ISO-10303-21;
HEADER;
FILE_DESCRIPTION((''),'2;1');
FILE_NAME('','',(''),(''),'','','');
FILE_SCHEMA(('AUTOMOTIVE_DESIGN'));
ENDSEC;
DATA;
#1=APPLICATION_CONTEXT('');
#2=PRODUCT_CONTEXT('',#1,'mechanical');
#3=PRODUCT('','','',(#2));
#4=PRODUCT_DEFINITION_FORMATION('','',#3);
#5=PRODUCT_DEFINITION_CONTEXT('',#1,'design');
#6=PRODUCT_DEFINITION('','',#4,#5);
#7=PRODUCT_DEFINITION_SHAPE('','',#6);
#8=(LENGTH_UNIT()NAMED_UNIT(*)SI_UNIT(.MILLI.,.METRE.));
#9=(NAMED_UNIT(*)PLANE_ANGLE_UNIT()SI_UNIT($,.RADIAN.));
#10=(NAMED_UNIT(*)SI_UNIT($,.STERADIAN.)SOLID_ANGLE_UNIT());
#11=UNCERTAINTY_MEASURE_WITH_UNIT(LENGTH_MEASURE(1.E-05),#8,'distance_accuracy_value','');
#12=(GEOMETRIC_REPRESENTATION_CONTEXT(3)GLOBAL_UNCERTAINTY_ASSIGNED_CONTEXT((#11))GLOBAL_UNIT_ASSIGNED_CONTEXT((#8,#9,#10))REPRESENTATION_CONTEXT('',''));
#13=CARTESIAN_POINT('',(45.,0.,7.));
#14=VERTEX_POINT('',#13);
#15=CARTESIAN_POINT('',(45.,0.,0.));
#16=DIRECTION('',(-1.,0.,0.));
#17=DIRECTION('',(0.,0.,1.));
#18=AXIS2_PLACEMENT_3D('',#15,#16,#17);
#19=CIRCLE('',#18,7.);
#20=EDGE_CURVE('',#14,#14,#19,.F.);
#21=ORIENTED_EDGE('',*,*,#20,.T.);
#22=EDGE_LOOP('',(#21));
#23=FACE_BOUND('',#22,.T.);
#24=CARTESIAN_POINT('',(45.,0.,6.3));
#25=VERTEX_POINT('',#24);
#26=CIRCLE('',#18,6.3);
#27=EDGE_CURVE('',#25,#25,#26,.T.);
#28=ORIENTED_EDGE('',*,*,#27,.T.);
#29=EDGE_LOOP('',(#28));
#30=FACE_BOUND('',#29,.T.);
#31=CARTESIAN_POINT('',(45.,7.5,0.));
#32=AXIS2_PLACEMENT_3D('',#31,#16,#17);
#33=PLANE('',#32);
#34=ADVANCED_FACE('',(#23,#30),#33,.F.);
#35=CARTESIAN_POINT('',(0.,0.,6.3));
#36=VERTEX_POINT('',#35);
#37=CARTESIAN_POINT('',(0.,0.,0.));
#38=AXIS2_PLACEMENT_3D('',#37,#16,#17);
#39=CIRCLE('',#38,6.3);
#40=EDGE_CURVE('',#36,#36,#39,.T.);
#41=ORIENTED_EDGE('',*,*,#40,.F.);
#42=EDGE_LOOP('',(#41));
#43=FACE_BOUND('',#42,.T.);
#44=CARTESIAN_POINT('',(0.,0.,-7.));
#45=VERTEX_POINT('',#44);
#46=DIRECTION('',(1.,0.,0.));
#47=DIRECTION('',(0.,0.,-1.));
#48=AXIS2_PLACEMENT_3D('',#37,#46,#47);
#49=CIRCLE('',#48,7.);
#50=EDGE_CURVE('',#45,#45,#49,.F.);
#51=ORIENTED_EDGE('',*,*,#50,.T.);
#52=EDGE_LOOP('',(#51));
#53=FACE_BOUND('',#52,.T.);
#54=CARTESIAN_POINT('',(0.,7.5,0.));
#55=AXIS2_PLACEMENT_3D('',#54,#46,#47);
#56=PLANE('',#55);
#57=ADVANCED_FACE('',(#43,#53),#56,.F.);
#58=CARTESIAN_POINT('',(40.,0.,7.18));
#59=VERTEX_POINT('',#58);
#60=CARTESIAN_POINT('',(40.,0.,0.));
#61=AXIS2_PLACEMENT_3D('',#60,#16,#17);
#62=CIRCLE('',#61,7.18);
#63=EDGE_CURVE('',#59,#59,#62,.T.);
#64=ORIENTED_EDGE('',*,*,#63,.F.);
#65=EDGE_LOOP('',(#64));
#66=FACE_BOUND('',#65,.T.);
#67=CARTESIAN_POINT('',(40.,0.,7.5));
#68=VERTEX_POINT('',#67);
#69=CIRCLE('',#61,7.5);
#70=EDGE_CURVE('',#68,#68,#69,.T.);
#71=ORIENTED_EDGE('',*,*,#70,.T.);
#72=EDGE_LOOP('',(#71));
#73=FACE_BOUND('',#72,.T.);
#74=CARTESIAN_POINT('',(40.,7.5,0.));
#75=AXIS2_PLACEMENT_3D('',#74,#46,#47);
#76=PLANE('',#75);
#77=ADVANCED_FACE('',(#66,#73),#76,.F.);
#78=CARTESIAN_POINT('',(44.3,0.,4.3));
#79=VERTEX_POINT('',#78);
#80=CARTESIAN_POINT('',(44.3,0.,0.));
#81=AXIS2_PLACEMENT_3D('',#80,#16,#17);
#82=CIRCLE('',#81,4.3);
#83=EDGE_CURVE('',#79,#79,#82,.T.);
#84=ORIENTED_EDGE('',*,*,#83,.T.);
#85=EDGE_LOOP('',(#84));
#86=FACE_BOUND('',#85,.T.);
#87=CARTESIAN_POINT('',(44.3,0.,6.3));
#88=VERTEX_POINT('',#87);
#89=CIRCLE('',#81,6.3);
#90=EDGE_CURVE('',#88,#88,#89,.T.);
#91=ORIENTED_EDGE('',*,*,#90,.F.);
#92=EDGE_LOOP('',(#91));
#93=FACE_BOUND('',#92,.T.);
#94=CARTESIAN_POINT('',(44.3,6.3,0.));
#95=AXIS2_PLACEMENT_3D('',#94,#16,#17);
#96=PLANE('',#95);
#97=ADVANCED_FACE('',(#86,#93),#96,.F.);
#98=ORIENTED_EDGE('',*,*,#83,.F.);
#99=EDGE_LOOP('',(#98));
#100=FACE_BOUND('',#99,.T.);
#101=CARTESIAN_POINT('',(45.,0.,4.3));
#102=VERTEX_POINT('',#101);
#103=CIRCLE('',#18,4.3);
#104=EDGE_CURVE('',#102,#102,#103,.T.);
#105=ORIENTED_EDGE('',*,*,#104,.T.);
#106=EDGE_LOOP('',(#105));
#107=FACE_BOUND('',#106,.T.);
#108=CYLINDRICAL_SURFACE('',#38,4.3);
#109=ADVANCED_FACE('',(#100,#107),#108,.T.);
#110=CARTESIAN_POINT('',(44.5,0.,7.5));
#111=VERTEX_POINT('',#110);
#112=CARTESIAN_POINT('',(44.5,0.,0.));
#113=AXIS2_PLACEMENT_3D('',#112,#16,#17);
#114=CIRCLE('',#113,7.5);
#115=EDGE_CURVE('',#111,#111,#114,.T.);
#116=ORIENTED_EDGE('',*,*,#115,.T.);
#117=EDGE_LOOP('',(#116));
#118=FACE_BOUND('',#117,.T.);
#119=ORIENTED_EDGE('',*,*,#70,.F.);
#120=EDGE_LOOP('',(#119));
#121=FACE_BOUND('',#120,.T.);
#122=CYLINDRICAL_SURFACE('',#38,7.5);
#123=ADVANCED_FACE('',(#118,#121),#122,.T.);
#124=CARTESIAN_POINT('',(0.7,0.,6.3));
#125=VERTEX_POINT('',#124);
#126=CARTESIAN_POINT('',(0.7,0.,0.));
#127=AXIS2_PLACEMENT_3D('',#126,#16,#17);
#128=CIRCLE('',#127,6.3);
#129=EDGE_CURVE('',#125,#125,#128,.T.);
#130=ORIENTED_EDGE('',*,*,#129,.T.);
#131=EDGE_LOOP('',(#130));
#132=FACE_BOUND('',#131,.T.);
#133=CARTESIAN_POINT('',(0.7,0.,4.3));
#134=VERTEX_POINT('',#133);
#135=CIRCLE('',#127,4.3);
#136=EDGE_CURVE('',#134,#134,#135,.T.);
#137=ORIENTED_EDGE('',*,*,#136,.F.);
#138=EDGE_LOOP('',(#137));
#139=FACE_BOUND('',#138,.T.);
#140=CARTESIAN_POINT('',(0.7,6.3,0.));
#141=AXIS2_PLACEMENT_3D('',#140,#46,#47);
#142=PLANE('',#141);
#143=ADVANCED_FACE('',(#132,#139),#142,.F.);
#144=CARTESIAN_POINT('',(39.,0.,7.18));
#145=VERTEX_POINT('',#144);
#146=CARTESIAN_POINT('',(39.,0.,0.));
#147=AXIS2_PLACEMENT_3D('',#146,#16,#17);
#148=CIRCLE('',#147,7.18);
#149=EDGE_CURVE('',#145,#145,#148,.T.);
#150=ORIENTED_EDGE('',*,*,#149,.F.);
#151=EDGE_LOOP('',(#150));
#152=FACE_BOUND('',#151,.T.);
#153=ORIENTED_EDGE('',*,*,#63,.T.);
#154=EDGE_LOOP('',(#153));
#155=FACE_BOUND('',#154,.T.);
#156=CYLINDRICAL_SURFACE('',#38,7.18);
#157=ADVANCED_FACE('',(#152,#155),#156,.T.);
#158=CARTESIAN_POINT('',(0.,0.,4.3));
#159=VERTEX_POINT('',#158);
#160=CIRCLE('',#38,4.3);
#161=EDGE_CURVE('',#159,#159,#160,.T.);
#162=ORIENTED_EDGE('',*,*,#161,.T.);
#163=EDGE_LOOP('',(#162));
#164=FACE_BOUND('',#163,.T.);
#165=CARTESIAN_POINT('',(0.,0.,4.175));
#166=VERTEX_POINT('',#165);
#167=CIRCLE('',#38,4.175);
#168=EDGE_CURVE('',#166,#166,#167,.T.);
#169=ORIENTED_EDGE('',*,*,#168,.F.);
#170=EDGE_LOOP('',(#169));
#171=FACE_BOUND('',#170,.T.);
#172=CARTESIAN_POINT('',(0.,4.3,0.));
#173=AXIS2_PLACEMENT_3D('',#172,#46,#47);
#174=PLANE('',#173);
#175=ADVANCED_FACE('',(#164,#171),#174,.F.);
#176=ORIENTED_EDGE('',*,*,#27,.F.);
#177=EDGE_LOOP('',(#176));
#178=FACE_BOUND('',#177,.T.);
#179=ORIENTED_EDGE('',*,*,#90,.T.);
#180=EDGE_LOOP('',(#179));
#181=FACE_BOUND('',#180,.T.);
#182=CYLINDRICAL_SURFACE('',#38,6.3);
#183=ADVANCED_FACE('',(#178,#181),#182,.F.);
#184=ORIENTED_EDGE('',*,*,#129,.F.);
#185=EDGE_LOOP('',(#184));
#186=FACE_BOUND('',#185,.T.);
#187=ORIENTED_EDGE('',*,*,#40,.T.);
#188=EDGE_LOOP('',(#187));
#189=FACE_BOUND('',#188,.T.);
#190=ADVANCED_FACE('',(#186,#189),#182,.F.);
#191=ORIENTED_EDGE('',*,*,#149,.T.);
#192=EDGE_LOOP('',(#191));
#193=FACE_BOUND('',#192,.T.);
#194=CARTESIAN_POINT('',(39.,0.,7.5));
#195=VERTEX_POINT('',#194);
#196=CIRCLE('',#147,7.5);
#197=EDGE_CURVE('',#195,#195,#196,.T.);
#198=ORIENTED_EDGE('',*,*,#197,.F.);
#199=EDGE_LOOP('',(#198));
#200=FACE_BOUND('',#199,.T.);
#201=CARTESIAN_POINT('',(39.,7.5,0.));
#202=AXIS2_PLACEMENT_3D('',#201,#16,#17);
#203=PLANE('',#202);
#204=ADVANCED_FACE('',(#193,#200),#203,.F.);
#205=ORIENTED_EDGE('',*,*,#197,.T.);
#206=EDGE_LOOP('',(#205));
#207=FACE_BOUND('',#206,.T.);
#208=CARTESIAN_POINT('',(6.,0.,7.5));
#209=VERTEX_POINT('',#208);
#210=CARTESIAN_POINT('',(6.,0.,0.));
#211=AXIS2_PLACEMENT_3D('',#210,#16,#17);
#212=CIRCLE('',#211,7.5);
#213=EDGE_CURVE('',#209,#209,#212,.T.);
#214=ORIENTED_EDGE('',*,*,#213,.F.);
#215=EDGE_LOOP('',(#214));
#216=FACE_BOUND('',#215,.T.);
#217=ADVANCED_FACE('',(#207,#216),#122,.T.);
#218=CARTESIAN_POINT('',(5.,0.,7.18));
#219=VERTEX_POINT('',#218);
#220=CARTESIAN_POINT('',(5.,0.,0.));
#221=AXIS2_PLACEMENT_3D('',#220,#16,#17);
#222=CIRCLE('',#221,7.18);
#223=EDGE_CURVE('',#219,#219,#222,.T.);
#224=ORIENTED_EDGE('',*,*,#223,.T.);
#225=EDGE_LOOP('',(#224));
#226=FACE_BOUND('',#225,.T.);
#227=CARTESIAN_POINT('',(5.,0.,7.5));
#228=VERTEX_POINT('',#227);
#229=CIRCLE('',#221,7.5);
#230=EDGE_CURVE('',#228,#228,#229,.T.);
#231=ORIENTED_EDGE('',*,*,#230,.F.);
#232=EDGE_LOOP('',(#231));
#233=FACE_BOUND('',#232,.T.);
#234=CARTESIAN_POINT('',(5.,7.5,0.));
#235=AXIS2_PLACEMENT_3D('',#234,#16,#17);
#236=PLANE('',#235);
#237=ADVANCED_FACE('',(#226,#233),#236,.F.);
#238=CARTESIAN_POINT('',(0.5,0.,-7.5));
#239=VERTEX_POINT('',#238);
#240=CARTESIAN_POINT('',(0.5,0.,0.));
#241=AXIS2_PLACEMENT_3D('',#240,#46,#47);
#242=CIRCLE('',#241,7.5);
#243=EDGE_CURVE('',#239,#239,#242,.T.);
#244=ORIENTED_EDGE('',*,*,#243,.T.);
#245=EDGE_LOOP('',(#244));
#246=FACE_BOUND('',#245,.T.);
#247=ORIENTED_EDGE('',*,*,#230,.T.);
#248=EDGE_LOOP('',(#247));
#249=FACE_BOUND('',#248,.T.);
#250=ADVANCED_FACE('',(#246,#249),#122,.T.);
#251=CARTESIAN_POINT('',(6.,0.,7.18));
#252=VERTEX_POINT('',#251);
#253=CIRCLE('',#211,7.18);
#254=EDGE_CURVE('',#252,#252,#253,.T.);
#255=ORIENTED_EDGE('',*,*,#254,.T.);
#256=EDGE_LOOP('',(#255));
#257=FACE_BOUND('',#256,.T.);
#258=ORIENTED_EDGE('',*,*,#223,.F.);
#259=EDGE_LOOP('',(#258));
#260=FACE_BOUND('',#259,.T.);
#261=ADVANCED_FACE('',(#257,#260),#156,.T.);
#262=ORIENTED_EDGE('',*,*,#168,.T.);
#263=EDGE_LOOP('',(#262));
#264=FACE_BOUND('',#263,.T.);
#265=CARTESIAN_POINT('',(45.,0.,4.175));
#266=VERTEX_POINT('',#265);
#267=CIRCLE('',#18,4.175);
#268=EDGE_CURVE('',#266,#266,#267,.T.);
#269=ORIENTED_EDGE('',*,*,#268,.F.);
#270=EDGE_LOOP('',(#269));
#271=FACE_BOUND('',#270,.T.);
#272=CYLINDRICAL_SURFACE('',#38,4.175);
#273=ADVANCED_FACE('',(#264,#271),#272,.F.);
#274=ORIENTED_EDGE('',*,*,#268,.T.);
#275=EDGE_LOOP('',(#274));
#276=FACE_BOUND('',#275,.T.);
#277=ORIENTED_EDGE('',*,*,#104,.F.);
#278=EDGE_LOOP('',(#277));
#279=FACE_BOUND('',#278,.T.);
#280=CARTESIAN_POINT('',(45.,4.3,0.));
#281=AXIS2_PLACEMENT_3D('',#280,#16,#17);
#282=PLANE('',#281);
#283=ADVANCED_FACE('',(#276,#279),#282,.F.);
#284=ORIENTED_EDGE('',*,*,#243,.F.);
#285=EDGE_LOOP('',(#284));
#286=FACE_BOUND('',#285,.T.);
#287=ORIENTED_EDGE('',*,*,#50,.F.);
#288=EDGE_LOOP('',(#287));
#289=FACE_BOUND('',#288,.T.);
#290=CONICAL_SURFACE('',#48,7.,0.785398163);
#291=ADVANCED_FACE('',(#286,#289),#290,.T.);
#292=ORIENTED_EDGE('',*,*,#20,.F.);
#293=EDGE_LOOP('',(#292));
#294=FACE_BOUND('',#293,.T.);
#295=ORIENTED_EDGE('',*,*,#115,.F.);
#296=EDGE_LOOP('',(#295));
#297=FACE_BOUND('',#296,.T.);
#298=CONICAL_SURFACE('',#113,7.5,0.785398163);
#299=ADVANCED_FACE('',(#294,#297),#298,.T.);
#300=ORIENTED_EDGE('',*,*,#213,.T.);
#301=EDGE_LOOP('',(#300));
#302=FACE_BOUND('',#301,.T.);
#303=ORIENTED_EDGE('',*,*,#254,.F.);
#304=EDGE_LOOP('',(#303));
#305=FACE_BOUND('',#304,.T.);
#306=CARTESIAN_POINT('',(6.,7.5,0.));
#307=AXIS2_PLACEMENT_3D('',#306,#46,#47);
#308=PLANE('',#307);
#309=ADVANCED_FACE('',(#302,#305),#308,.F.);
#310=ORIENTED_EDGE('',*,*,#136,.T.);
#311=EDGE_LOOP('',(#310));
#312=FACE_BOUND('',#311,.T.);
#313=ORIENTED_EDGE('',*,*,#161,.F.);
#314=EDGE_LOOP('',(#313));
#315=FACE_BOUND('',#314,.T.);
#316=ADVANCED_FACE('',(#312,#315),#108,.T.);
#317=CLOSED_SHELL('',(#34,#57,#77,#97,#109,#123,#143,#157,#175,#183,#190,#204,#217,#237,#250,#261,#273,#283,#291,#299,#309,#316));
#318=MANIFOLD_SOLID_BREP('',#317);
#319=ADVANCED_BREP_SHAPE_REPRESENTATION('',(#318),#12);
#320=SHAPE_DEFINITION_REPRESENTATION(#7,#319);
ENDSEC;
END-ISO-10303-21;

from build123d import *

# Parameters (mm, degrees)
ZKOSEN_1_SIZE = 0.5


with BuildPart() as part:
    # Skica1 → Rotovat1 (revolve)
    with BuildSketch(Plane.XY):
        Polygon((0, 4.3), (0, 4.175), (45, 4.175), (45, 4.3), (44.3, 4.3), (44.3, 6.3), (45, 6.3), (45, 7.5), (40, 7.5), (40, 7.18), (39, 7.18), (39, 7.5), (6, 7.5), (6, 7.18), (5, 7.18), (5, 7.5), (0, 7.5), (0, 6.3), (0.7, 6.3), (0.7, 4.3), align=None)
    revolve(axis=Axis((0, 0, 0), (1, 0, 0)))

    # Zkosení1
    zkosen_1_edges = [part.edges().sort_by_distance(p)[0] for p in [
        (0, -7.5, 0),
        (45, -7.5, 0),
    ]]
    chamfer(zkosen_1_edges, length=ZKOSEN_1_SIZE)


solid = part.part
